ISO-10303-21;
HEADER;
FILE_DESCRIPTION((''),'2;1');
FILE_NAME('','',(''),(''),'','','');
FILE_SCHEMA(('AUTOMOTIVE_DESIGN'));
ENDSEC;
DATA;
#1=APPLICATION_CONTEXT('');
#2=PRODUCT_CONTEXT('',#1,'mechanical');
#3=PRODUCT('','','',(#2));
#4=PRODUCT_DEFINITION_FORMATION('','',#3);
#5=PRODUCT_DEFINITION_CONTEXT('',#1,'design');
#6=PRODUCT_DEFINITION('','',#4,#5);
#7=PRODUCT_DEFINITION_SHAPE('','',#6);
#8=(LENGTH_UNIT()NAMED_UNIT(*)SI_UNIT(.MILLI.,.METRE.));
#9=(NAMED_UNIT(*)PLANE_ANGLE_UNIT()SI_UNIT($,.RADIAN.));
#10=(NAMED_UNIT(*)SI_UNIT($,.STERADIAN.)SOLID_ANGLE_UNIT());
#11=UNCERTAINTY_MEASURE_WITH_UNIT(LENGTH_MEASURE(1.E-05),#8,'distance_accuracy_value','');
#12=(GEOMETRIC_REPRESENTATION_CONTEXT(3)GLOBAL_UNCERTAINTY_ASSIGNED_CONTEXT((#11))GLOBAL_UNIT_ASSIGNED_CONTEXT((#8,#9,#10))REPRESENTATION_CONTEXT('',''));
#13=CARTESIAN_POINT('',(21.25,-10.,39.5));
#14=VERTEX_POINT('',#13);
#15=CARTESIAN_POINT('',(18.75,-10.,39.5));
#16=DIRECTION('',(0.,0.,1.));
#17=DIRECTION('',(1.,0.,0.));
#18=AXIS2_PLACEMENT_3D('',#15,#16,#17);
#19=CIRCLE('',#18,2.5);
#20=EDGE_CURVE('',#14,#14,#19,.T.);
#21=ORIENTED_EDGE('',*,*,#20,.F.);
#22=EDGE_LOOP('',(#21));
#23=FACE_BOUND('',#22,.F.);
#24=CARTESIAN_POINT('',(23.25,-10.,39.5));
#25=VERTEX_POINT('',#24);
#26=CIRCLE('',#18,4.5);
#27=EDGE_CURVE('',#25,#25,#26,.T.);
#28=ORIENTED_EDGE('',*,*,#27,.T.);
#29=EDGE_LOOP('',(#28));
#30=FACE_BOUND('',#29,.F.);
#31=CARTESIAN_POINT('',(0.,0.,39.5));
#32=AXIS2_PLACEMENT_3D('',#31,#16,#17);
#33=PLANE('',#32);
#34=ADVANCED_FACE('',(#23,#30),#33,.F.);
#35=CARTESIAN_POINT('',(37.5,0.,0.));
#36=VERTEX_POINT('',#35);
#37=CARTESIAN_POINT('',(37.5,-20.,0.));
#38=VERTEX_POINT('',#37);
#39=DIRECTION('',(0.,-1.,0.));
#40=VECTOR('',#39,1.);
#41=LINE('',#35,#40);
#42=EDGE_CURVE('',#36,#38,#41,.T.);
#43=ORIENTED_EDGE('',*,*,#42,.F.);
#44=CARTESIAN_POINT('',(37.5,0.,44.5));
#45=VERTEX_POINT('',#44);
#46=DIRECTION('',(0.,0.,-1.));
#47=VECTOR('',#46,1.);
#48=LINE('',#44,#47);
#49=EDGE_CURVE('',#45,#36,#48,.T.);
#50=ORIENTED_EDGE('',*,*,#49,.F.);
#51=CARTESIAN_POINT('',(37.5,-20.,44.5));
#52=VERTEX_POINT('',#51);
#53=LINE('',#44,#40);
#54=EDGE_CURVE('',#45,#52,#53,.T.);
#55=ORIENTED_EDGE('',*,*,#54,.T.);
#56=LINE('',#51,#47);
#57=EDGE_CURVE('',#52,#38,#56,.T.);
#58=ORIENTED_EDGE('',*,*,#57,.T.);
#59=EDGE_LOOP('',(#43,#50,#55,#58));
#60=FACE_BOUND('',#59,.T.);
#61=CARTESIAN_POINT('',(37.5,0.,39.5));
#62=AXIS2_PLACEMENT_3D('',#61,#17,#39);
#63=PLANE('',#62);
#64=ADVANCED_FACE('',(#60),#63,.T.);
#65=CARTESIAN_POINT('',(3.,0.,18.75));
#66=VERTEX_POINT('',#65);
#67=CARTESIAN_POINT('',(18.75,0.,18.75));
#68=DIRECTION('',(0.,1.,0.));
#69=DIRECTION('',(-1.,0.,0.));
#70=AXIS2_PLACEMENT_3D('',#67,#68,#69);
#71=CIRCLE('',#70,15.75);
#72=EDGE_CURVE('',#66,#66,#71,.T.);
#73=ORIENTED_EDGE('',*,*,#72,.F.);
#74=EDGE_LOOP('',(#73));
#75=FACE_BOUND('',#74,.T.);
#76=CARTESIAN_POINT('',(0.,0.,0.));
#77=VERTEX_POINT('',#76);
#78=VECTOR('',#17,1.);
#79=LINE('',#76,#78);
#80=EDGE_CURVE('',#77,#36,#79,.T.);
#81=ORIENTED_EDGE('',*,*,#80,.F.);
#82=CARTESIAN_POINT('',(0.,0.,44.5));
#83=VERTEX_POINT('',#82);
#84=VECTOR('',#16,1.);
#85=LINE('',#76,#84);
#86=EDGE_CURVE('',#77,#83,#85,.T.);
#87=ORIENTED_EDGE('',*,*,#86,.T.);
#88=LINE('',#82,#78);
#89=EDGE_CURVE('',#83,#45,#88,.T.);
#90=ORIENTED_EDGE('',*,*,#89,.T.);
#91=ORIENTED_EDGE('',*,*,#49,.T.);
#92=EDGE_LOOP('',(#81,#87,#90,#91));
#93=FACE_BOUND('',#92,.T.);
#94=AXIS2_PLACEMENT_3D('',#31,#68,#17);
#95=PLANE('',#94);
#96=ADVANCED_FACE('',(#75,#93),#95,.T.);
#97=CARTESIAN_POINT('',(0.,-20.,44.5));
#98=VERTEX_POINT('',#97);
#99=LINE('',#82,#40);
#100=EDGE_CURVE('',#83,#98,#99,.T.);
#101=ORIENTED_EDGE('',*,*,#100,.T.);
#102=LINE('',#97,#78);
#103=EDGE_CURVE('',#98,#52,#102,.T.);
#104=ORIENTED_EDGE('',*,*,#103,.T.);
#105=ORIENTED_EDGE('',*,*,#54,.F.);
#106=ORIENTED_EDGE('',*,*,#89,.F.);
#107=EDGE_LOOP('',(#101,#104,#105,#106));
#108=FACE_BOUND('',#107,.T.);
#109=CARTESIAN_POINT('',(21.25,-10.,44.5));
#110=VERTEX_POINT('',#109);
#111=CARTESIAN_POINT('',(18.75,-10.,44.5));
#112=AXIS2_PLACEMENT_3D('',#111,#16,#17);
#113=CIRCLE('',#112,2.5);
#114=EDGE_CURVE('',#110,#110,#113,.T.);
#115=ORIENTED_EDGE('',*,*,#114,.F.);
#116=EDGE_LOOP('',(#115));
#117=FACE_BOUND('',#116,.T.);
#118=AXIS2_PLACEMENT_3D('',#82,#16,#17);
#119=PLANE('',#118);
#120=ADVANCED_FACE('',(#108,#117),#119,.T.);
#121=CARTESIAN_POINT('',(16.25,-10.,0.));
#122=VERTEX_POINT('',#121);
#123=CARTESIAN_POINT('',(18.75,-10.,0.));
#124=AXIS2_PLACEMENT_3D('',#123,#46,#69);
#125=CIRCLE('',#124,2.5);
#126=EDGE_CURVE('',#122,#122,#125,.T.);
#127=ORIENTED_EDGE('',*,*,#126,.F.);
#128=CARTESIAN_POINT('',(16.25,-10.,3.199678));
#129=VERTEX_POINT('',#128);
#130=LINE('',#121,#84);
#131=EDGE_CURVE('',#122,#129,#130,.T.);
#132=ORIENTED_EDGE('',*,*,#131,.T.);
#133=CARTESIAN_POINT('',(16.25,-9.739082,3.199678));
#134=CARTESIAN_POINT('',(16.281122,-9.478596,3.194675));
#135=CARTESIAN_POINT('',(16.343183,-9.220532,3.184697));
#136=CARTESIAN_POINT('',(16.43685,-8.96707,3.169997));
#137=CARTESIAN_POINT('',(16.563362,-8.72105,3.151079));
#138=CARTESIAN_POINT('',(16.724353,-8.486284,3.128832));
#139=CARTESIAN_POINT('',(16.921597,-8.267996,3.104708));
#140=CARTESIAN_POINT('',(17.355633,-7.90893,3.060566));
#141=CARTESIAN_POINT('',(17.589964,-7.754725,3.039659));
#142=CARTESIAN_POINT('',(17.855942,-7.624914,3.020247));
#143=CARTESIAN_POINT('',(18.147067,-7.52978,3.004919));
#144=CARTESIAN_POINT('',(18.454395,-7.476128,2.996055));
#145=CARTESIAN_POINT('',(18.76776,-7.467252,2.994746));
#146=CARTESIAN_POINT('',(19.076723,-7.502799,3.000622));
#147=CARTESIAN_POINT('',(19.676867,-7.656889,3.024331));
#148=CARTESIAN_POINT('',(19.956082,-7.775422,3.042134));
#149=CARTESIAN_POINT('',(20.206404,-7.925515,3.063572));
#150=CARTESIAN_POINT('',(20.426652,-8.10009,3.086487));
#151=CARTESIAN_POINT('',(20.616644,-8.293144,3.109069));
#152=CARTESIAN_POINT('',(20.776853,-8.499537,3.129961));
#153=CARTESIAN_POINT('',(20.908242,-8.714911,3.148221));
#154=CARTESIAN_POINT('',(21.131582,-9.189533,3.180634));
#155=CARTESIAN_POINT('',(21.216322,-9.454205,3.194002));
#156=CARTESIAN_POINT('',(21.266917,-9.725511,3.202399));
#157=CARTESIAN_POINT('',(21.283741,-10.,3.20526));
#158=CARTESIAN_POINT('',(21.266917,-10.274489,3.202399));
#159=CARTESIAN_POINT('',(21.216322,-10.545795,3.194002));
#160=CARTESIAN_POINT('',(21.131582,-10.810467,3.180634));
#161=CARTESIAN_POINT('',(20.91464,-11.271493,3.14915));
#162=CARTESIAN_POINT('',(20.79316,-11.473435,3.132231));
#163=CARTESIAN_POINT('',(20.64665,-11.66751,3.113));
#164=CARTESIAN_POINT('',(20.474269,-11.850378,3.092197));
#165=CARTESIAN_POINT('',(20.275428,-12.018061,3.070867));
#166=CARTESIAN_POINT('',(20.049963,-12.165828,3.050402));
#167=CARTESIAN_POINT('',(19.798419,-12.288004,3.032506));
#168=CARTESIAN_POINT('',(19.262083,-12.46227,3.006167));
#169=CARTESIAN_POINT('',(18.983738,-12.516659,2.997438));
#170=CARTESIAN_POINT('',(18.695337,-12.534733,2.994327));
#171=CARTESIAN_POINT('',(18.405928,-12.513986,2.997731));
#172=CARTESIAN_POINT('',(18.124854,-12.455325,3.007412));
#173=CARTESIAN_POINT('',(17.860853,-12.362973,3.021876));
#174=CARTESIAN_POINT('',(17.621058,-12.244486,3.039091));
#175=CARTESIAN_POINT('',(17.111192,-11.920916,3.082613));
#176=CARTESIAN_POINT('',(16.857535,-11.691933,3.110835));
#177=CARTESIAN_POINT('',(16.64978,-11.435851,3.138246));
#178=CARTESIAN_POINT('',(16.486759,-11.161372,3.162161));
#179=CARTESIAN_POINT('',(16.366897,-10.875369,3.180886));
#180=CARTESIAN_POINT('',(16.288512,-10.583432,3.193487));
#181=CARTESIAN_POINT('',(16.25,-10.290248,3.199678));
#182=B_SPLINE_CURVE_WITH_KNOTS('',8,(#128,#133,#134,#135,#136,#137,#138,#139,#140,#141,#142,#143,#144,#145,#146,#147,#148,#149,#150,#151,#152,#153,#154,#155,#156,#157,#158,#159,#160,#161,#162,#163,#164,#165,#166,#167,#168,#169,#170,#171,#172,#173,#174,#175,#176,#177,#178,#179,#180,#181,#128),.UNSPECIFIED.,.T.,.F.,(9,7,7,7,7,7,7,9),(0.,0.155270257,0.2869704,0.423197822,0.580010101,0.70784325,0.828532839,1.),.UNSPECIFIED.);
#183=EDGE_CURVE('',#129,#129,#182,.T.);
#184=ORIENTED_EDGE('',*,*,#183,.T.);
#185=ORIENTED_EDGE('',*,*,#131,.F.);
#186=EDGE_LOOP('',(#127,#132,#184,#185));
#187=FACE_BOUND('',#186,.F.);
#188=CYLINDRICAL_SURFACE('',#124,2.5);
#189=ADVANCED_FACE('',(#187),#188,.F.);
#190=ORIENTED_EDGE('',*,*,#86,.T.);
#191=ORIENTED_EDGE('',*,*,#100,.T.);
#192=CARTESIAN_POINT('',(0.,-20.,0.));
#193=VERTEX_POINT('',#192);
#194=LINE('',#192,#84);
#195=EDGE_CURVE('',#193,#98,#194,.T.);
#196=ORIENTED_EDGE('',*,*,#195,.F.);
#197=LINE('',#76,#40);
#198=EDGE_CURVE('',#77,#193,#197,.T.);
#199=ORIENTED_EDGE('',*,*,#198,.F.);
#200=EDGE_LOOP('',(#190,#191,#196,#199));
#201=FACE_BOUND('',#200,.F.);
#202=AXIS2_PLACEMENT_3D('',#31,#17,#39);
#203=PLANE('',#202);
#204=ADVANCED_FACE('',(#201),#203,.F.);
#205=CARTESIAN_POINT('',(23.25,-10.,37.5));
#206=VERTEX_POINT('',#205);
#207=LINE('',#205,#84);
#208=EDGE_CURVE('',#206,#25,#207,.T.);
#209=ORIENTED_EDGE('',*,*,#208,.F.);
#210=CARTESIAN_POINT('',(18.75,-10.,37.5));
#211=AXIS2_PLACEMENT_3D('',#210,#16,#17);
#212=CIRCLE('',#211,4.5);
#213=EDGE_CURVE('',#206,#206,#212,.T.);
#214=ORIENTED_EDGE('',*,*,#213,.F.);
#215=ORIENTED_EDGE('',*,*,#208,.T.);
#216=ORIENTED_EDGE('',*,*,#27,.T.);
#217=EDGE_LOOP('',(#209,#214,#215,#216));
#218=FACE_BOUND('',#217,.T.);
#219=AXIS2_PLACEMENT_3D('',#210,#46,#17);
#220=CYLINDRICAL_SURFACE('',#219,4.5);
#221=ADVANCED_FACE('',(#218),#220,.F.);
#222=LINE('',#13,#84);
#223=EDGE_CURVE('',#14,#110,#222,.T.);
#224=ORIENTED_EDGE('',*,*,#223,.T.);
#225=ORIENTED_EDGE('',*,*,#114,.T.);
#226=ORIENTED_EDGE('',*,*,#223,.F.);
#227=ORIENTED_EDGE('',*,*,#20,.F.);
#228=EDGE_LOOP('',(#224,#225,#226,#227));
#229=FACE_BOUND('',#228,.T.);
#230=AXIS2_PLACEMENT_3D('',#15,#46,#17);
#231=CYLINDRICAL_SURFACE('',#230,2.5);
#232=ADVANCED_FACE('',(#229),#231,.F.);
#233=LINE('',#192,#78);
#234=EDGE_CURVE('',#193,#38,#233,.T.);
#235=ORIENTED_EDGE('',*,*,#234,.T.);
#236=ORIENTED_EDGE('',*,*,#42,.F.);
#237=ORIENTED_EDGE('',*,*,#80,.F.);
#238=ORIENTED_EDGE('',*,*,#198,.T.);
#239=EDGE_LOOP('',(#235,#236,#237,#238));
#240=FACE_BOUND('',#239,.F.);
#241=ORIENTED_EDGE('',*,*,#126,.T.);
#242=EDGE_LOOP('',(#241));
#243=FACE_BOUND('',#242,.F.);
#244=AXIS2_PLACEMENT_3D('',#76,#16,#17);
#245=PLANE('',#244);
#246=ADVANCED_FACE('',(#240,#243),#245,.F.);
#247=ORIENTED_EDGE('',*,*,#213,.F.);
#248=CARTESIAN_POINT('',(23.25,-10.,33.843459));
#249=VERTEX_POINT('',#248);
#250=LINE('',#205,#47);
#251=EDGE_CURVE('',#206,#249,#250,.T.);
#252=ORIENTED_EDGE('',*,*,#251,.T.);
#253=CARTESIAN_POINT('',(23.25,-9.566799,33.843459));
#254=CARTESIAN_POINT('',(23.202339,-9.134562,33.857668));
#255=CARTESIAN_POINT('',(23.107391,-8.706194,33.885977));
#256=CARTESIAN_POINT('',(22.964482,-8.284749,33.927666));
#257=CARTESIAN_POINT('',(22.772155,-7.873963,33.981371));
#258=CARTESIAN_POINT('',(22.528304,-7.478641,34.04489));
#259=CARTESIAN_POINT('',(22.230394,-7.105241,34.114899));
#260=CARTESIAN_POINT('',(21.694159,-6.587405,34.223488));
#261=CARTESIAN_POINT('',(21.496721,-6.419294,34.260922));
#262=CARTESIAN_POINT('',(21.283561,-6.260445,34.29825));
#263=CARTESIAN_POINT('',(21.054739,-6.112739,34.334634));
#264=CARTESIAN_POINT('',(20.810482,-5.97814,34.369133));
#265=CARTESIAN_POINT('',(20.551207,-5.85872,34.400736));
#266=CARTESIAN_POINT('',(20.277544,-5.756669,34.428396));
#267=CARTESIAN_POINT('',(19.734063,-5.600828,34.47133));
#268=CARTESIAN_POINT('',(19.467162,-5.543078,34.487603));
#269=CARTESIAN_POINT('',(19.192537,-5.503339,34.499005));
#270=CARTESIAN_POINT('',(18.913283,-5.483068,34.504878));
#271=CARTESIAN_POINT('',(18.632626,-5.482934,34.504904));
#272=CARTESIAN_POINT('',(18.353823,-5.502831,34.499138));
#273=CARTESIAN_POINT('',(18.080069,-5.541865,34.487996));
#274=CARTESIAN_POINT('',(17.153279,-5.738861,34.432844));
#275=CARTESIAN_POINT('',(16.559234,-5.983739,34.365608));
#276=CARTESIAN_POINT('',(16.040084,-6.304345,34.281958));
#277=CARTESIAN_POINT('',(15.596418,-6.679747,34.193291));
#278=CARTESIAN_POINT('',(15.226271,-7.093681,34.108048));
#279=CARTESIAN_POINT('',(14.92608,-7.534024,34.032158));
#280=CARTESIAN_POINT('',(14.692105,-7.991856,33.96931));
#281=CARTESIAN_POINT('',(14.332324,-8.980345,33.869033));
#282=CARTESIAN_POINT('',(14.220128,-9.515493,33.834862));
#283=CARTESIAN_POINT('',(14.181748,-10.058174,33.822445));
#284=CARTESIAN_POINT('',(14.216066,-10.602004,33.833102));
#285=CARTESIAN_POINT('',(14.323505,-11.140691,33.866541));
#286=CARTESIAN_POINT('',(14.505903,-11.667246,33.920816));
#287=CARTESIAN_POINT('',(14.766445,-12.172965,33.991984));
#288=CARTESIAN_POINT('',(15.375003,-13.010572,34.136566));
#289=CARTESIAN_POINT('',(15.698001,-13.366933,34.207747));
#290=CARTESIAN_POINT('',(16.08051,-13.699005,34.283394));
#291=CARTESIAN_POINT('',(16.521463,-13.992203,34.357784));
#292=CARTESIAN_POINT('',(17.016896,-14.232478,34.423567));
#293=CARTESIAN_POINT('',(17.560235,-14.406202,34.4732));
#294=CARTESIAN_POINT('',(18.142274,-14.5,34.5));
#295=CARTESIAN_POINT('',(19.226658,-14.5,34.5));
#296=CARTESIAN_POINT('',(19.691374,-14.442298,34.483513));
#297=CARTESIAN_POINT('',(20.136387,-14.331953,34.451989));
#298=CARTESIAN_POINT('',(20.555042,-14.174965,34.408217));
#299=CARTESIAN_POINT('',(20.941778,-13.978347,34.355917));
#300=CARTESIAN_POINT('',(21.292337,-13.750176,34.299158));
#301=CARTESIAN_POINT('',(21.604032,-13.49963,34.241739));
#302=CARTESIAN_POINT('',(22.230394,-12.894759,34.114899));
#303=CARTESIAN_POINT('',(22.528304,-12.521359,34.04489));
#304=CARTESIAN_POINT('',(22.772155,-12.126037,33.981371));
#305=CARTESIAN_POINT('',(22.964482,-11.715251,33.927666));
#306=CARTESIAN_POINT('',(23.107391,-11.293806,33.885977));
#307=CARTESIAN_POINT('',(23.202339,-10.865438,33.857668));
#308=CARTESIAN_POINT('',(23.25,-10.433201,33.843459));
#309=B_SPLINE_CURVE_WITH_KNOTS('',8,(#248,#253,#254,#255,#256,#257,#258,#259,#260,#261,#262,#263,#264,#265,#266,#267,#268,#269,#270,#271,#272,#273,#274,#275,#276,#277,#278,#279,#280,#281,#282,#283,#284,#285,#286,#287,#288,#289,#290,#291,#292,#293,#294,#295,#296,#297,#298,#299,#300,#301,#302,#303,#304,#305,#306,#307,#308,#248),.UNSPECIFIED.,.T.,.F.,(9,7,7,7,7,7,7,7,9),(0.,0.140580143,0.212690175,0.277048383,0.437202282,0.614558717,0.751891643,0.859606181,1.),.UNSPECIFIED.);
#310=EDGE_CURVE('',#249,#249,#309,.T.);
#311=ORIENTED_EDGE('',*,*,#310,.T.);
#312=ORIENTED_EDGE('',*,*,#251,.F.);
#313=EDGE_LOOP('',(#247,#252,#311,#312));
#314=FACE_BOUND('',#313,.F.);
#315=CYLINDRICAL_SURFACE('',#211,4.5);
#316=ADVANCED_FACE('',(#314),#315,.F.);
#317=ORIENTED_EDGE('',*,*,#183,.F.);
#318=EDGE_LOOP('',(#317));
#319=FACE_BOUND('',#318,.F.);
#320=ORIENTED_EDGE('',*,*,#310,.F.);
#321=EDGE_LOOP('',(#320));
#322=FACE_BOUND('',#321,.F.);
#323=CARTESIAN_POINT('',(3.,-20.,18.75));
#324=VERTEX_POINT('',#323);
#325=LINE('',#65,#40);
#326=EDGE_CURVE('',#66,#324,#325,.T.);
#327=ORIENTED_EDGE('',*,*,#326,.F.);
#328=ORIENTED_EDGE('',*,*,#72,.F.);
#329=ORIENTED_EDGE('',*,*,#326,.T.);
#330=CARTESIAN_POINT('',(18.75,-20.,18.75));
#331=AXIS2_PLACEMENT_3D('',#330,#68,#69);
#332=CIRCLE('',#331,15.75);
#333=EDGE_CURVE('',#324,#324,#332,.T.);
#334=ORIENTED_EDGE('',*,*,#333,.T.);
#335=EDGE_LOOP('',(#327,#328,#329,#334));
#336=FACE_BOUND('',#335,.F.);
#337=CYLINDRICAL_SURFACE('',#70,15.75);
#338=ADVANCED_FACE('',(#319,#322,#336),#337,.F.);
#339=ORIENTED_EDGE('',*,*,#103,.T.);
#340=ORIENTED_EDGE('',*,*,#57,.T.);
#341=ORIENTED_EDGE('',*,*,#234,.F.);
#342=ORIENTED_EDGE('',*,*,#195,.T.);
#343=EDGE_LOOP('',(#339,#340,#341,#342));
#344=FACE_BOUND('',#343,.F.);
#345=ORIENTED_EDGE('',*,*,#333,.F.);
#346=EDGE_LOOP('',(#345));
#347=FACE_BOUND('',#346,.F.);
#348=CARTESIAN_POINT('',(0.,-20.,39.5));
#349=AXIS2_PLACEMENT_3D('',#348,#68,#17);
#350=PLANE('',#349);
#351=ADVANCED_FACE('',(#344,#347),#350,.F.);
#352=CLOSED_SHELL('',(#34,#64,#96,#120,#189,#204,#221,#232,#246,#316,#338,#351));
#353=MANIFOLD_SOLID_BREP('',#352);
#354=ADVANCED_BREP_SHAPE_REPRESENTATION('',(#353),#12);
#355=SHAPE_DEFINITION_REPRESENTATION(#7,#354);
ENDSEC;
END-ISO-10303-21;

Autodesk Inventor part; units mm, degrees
ref_plane "YZ Plane" through (0, 0, 0) normal (1, 0, 0) x (0, 1, 0)
ref_plane "XZ Plane" through (0, 0, 0) normal (0, 1, 0) x (-1, 0, 0)
ref_plane "XY Plane" through (0, 0, 0) normal (0, 0, 1) x (1, 0, 0)
sketch "Sketch1" plane through (0, 0, 0) normal (0, 1, 0) x (-1, 0, 0)
  line L0 (0, 0) -> (-37.5, 0)
  line L1 (-37.5, 0) -> (-37.5, 37.5)
  line L2 (-37.5, 37.5) -> (0, 37.5)
  line L3 (0, 37.5) -> (0, 0)
  circle A0 centre (-18.75, 18.75) radius 15.75
  point P0 (-18.75, 0)
  dimension "d0" = 37.5
  dimension "d1" = 37.5
  dimension "d2" = 18.75
  dimension "d3" = 18.75
  dimension "d4" = 31.5
extrude "Extrusion1" add sketch "Sketch1" against normal blind 20
sketch "Sketch3" plane through (0, 0, 37.5) normal (0, 0, 1) x (1, 0, 0)
  circle A0 centre (18.75, -10) radius 4.5
  line L0 (37.5, 0) -> (37.5, -20) projected
  point P0 (0, 0)
  point P1 (37.5, -10)
  dimension "d8" = 9
  dimension "d19" = 18.75
extrude "Extrusion2" cut sketch "Sketch3" against normal blind 5
sketch "Sketch4" plane through (37.5, 0, 0) normal (0, 0, -1) x (-1, 0, 0)
  circle A0 centre (18.75, -10) radius 4.5 projected
  circle A1 centre (18.75, -10) radius 2.5
  point P0 (37.5, 0)
  dimension "d11" = 5
extrude "Extrusion3" cut sketch "Sketch4" against normal blind 5 contours A1
sketch "Sketch5" plane through (0, 0, 37.5) normal (0, 0, 1) x (1, 0, 0)
  line L0 (37.5, 0) -> (0, 0) projected
  line L1 (0, -20) -> (37.5, -20) projected
  line L2 (0, 0) -> (37.5, 0)
  line L3 (37.5, 0) -> (37.5, -20)
  line L4 (37.5, -20) -> (0, -20)
  line L5 (0, -20) -> (0, 0)
  line L6 (0, 0) -> (0, -20) projected
  line L7 (0, 0) -> (37.5, 0)
  line L8 (37.5, 0) -> (37.5, -20)
  line L9 (37.5, -20) -> (0, -20)
  line L10 (0, -20) -> (0, 0)
  circle A0 centre (18.75, -10) radius 4.5
  point P0 (37.5, -10)
  dimension "d18" = 18.75
extrude "Extrusion4" add sketch "Sketch5" along normal blind 2
sketch "Sketch6" plane through (0, 0, 39.5) normal (0, 0, 1) x (1, 0, 0)
  line L0 (0, 0) -> (0, -20) projected
  line L1 (0, -20) -> (37.5, -20) projected
  line L2 (0, 0) -> (37.5, 0)
  line L3 (37.5, 0) -> (37.5, -20)
  line L4 (37.5, -20) -> (0, -20)
  line L5 (0, -20) -> (0, 0)
  circle A0 centre (18.75, -10) radius 2.5
  dimension "d20" = 18.75
extrude "Extrusion5" add sketch "Sketch6" along normal blind 5
equation "\"d0\" = d1"
equation "\"d2\" = 0.5 * d1"
equation "\"d3\" = 0.5 * d0"
properties part number "welco mount v04"
